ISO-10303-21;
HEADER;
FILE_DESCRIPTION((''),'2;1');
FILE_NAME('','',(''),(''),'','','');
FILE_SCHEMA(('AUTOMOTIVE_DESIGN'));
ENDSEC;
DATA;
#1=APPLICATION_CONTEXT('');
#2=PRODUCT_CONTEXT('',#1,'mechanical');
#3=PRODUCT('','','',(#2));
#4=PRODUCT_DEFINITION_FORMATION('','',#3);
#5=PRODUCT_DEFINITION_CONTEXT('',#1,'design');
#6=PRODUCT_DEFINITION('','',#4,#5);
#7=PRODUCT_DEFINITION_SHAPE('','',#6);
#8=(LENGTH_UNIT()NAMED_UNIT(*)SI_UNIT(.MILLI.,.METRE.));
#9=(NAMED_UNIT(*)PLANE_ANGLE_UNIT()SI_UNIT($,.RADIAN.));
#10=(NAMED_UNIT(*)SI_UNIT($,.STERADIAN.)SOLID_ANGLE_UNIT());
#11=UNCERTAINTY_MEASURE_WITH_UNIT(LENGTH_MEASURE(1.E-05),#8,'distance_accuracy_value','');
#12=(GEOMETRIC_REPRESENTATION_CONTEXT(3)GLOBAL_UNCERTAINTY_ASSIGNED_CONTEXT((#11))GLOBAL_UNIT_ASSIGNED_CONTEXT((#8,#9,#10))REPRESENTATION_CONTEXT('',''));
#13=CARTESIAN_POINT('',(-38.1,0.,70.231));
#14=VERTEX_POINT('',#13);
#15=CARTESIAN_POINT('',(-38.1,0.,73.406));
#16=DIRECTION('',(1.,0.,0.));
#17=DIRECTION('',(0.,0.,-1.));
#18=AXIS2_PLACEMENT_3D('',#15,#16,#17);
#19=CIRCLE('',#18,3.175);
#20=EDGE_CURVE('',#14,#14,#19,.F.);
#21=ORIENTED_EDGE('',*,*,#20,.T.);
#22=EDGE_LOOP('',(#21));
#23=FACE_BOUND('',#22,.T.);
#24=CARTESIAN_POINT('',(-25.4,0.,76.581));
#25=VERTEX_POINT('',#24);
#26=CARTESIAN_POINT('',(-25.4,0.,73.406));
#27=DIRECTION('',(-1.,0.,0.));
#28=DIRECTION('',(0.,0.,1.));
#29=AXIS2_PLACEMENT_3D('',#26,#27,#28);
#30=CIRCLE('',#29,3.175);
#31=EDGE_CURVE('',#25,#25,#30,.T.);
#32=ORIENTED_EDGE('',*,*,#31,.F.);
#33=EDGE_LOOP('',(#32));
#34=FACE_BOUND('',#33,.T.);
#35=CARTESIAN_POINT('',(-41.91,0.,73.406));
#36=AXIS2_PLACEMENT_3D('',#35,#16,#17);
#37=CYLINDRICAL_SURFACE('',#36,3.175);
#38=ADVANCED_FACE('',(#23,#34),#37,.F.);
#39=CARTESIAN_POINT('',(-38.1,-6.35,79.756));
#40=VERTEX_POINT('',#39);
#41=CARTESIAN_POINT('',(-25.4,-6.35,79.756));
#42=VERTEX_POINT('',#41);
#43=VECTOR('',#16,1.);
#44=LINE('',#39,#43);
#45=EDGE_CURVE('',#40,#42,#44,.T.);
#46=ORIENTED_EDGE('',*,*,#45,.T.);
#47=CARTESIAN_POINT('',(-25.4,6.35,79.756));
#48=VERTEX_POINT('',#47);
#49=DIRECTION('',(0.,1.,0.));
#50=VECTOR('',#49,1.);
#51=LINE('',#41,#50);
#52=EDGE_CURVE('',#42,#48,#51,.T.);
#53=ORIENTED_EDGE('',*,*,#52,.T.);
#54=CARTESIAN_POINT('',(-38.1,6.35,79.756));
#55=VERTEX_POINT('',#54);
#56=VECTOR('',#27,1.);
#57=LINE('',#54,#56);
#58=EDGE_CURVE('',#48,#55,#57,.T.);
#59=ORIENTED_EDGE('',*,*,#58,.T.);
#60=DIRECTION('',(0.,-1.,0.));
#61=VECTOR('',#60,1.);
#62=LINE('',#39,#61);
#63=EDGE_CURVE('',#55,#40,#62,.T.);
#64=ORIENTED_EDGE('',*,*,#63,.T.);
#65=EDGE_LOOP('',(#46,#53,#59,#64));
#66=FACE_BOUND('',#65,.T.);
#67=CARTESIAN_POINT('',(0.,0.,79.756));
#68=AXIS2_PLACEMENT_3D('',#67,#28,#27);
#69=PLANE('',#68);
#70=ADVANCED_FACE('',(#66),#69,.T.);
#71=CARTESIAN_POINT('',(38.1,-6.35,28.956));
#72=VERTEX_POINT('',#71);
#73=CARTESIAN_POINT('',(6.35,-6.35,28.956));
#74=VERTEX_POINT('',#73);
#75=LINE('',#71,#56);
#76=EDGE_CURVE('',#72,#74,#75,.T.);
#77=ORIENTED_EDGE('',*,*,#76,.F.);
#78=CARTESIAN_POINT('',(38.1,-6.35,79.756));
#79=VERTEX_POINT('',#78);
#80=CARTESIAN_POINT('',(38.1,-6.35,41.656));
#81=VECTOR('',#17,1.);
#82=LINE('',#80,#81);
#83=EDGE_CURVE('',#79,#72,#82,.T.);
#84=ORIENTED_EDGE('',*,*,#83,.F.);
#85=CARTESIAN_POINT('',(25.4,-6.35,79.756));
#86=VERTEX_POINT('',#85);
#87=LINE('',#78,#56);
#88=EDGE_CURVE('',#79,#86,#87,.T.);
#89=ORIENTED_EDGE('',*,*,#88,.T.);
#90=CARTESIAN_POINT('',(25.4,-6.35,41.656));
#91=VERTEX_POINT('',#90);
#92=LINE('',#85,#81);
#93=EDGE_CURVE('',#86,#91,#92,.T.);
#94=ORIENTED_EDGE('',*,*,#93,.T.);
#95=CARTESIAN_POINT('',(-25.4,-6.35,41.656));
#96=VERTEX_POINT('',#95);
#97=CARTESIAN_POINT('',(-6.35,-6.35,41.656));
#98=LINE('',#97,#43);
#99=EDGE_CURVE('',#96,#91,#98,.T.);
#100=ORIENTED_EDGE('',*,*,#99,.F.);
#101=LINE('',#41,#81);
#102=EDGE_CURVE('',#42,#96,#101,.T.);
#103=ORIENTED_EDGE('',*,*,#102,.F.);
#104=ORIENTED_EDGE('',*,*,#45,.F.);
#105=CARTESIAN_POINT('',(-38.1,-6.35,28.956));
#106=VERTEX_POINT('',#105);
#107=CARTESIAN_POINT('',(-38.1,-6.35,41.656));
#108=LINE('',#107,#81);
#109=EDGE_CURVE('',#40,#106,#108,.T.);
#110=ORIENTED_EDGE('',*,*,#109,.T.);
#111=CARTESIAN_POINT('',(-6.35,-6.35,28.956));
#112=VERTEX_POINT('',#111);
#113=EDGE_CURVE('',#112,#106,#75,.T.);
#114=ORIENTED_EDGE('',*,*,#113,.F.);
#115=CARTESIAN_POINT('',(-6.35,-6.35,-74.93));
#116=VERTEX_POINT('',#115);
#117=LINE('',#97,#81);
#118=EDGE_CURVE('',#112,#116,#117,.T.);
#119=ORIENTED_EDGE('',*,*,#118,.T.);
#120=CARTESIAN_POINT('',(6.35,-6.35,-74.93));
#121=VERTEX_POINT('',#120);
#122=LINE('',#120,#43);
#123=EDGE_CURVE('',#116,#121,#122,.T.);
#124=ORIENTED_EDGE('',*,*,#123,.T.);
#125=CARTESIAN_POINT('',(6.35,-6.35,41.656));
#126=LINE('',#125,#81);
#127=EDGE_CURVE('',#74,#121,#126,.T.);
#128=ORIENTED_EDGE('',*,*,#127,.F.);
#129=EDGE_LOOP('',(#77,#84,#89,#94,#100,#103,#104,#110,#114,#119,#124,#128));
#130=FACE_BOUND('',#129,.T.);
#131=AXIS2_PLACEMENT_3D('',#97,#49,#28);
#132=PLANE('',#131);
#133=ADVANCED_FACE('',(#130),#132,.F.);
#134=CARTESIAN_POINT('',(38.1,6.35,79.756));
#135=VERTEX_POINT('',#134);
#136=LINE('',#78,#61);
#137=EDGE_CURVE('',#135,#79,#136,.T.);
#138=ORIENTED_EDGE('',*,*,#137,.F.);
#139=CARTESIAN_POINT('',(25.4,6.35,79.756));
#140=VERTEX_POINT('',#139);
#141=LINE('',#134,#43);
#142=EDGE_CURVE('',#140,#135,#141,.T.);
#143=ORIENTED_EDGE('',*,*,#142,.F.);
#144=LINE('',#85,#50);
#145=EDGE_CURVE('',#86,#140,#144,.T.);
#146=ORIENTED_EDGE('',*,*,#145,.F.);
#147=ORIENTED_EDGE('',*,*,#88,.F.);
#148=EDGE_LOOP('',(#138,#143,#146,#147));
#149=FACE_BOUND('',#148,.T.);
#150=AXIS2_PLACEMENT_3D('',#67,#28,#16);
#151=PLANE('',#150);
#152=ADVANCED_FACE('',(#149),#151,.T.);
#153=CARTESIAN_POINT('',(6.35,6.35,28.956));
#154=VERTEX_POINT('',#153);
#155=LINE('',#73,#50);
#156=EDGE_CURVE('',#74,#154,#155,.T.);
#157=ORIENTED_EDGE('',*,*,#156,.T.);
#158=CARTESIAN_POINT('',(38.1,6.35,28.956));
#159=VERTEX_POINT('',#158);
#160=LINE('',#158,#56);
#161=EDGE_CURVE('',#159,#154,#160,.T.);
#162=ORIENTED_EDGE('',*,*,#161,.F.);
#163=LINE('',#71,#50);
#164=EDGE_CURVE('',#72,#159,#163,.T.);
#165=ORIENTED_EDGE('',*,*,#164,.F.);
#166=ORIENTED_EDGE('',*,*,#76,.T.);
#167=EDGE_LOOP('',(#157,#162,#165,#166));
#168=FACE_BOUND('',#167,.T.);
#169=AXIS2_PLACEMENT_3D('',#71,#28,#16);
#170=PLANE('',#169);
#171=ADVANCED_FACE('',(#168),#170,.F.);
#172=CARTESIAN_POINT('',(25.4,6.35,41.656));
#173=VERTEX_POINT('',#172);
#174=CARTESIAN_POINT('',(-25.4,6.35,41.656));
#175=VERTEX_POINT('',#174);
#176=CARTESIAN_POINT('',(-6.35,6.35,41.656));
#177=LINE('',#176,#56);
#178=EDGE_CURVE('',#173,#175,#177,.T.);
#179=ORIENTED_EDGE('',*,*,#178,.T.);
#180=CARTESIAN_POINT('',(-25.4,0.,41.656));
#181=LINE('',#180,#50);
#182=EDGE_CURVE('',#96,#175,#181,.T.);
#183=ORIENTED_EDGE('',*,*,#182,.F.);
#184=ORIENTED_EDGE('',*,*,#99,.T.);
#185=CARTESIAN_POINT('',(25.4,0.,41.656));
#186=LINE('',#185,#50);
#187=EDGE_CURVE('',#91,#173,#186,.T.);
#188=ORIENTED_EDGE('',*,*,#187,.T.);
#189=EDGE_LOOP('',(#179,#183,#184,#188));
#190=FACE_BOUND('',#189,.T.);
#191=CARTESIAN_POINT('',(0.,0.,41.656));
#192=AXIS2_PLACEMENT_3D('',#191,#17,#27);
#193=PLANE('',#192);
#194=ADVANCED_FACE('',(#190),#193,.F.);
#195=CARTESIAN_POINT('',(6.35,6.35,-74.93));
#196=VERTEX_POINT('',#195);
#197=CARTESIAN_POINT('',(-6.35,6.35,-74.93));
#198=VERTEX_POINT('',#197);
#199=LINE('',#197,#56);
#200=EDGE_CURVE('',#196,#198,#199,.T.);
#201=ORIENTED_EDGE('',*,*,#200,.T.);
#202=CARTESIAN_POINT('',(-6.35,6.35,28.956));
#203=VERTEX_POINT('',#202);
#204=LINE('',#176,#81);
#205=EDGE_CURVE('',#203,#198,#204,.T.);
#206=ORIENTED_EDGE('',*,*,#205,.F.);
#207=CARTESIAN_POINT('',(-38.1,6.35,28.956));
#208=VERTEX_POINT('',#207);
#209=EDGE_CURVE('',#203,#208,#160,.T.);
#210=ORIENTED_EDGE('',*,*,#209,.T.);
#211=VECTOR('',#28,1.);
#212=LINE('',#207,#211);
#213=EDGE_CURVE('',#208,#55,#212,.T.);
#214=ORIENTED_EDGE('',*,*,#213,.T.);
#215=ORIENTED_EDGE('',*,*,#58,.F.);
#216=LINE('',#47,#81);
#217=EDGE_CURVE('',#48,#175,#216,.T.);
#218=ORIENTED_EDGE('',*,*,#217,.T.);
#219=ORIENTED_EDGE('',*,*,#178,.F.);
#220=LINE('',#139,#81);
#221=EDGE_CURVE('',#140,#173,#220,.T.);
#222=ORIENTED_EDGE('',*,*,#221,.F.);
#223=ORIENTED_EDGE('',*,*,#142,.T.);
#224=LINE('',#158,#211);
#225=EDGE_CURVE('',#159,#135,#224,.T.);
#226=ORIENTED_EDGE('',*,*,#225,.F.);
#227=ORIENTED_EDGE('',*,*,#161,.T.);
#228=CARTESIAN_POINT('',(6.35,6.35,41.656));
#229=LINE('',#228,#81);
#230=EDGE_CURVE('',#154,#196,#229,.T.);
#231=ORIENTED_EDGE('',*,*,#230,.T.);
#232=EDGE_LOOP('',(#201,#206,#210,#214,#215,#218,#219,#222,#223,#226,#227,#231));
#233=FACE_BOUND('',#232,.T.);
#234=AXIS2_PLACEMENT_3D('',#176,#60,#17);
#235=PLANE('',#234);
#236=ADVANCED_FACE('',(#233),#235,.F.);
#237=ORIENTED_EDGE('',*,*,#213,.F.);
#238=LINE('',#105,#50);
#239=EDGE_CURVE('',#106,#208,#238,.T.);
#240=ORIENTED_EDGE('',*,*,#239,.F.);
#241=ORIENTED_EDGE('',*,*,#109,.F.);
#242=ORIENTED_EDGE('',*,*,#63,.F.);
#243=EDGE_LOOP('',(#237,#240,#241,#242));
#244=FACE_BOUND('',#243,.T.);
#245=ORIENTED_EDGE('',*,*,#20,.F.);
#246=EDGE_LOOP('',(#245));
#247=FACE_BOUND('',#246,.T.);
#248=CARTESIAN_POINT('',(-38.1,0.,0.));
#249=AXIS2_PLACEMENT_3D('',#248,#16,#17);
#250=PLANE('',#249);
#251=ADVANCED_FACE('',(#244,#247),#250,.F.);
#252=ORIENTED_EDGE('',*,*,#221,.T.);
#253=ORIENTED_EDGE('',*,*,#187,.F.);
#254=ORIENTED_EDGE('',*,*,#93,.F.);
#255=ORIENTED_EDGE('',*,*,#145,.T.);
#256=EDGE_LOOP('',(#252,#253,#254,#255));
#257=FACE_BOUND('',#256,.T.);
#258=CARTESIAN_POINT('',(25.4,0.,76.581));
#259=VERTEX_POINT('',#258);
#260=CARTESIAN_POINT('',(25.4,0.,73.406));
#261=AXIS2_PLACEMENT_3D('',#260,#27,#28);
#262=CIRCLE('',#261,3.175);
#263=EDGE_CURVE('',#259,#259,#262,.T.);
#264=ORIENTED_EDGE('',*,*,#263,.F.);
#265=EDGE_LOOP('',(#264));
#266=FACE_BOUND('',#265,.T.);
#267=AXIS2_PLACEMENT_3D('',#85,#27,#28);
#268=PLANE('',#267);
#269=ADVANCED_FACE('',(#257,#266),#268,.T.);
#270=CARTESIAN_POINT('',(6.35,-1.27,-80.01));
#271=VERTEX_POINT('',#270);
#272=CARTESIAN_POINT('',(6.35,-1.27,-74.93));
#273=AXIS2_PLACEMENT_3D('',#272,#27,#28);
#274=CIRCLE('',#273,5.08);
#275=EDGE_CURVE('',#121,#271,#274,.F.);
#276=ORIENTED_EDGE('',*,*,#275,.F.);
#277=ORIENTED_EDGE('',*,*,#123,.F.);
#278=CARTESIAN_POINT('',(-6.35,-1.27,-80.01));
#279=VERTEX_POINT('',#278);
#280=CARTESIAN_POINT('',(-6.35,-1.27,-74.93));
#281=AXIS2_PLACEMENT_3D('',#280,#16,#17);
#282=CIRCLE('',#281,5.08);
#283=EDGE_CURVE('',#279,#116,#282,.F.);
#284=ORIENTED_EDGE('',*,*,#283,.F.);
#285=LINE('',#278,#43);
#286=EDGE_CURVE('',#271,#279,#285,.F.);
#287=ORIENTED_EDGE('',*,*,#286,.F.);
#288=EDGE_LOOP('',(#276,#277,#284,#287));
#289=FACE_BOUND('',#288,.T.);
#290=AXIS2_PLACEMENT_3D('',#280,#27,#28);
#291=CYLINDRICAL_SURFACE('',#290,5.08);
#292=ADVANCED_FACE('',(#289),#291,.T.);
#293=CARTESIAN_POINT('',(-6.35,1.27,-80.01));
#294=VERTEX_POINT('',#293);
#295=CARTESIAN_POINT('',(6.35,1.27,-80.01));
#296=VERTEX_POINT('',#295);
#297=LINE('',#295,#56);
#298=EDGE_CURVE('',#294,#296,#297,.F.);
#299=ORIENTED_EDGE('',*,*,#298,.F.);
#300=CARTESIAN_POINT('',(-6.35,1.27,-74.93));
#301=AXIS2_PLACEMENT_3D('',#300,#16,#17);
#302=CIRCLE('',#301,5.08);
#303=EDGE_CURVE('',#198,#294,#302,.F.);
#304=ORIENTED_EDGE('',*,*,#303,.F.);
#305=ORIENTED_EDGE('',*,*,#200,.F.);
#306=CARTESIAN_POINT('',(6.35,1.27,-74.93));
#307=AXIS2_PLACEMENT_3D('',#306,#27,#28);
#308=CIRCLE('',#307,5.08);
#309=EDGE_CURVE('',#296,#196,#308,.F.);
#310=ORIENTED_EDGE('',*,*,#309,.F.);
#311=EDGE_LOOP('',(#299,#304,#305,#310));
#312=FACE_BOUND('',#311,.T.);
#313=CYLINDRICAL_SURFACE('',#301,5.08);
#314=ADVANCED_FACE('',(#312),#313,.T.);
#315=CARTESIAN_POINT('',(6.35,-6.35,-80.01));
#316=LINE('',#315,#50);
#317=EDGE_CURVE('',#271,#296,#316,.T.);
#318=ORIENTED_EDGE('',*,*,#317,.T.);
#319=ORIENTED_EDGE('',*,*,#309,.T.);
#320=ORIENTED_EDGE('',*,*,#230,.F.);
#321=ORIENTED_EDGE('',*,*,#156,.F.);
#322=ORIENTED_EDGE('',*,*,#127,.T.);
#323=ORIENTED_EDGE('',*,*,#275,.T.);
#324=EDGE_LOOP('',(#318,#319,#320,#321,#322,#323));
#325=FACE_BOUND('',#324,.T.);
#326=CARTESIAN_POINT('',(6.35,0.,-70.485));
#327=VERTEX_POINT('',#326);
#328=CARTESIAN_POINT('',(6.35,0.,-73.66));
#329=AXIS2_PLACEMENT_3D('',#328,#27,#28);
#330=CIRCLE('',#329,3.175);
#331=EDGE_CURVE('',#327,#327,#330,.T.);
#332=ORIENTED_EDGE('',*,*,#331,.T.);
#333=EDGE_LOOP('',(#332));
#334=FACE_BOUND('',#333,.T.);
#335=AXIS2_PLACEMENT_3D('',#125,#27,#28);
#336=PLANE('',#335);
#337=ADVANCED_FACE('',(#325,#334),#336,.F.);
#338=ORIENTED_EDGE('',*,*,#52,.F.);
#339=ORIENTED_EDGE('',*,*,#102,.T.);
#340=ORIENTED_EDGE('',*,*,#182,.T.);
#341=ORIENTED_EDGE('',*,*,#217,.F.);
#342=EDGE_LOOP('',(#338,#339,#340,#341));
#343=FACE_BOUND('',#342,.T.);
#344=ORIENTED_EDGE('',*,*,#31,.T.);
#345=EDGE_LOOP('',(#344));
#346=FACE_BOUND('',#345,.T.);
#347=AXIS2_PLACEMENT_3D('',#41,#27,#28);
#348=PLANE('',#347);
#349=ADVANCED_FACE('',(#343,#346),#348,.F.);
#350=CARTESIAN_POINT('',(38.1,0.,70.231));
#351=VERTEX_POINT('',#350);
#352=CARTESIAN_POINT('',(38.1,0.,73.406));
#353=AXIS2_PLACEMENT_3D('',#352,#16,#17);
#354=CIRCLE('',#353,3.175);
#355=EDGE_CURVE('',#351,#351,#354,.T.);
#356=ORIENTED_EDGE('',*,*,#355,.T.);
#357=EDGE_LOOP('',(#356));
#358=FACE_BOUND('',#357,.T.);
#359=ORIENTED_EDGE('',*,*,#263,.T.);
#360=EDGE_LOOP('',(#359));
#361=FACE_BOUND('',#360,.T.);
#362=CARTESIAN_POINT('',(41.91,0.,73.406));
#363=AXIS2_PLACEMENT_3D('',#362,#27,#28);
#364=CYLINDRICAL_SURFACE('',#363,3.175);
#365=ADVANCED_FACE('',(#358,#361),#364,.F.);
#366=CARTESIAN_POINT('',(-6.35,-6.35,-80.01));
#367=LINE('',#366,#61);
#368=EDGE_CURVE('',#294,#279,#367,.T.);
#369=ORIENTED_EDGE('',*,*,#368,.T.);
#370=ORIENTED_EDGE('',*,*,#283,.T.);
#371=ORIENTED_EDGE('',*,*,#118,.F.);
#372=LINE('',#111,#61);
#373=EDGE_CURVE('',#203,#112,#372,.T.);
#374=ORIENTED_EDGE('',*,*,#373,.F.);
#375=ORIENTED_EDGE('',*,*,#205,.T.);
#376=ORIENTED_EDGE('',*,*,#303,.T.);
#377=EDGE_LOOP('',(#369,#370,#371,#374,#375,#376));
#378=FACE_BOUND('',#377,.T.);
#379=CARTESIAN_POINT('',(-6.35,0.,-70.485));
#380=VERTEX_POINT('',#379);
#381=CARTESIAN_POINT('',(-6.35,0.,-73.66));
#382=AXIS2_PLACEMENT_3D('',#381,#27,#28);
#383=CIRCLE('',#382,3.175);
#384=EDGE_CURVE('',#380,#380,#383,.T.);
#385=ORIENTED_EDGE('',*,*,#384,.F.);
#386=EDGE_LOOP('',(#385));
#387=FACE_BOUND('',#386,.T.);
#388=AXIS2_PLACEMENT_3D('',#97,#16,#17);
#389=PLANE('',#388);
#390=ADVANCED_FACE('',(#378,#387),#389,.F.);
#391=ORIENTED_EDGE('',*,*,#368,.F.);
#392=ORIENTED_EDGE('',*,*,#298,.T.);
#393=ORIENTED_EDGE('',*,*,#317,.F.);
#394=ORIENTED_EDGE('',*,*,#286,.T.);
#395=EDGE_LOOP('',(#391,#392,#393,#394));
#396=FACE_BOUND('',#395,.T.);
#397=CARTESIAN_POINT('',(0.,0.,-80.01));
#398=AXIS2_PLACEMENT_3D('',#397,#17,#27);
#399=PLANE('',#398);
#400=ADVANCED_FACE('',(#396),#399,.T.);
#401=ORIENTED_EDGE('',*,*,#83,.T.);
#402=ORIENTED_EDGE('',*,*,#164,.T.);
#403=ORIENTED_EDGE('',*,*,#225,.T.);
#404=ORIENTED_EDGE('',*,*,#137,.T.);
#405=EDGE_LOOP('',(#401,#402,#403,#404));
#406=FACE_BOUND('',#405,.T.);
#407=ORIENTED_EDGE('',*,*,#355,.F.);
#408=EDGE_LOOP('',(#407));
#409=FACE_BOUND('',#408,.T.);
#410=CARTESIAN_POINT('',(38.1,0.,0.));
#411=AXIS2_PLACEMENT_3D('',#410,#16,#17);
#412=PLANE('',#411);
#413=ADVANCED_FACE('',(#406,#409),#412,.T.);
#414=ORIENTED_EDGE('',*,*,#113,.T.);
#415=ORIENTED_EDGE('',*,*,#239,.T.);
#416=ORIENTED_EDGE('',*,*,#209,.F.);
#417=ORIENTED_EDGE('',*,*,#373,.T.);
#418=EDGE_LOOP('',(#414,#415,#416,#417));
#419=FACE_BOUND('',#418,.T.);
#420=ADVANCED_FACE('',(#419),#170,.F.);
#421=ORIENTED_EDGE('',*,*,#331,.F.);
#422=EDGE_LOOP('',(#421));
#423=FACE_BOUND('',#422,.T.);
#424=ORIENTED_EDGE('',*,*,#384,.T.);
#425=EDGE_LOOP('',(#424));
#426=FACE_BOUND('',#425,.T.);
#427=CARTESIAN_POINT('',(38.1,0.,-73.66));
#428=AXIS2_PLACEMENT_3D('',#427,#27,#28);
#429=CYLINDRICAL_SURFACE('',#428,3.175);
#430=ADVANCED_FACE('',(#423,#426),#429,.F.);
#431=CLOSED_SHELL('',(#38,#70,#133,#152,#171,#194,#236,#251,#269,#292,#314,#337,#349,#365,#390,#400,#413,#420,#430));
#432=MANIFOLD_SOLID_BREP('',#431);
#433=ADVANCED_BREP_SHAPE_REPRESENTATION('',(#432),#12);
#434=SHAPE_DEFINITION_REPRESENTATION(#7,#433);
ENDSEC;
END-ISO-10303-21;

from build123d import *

# Parameters (mm, degrees)
SKETCH1_W                = 12.7
SKETCH1_H                = 12.7
BOSS_EXTRUDE1_DEPTH      = 41.656
BOSS_EXTRUDE1_DEPTH_BACK = 80.01
SKETCH4_W                = 12.7
SKETCH4_H                = 12.7
BOSS_EXTRUDE2_DEPTH      = 38.1
SKETCH5_W                = 12.7
SKETCH5_H                = 12.7
BOSS_EXTRUDE3_DEPTH      = 50.8
SKETCH6_R                = 3.175
CUT_EXTRUDE1_DEPTH       = 16.51
SKETCH7_R                = 3.175
CUT_EXTRUDE2_DEPTH       = 45.45
FILLET1_R                = 5.08


with BuildPart() as part:
    # Sketch1 → Boss-Extrude1 (new body, two sides)
    with BuildSketch(Plane.XY) as boss_extrude1_sk:
        Rectangle(SKETCH1_W, SKETCH1_H)
    extrude(amount=BOSS_EXTRUDE1_DEPTH)
    extrude(boss_extrude1_sk.sketch, amount=-BOSS_EXTRUDE1_DEPTH_BACK)

    # Sketch4 → Boss-Extrude2 (add, symmetric)
    with BuildSketch(Plane(origin=(0, 0, 0), x_dir=(0, 0, -1), z_dir=(1, 0, 0))):
        with Locations((-35.306, 0)):
            Rectangle(SKETCH4_W, SKETCH4_H)
    extrude(amount=BOSS_EXTRUDE2_DEPTH, both=True)

    # Sketch5 → Boss-Extrude3 (add)
    with BuildSketch(Plane(origin=(0, 0, 28.956), x_dir=(-1, 0, 0), z_dir=(0, 0, -1))):
        with Locations((-31.75, 0)):
            Rectangle(SKETCH5_W, SKETCH5_H)
    boss_extrude3 = extrude(amount=-BOSS_EXTRUDE3_DEPTH)

    # Sketch6 → Cut-Extrude1 (cut)
    with BuildSketch(Plane.ZY.offset(-25.4)):
        with Locations((73.406, 0)):
            Circle(SKETCH6_R)
    cut_extrude1 = extrude(amount=-CUT_EXTRUDE1_DEPTH, mode=Mode.SUBTRACT)

    # Mirror1: Boss-Extrude3, Cut-Extrude1 across plane
    add(boss_extrude3.mirror(Plane(origin=(0, 0, 0), x_dir=(0, 0, 1), z_dir=(1, 0, 0))))
    add(cut_extrude1.mirror(Plane(origin=(0, 0, 0), x_dir=(0, 0, 1), z_dir=(1, 0, 0))), mode=Mode.SUBTRACT)

    # Sketch7 → Cut-Extrude2 (cut, through all)
    with BuildSketch(Plane.ZY.offset(6.35)):
        with Locations((-73.66, 0)):
            Circle(SKETCH7_R)
    extrude(amount=-CUT_EXTRUDE2_DEPTH, mode=Mode.SUBTRACT)

    # Fillet1
    fillet1_edges = [part.edges().sort_by_distance(p)[0] for p in [
        (0, 6.35, -80.01),
        (0, -6.35, -80.01),
    ]]
    fillet(fillet1_edges, radius=FILLET1_R)


solid = part.part
